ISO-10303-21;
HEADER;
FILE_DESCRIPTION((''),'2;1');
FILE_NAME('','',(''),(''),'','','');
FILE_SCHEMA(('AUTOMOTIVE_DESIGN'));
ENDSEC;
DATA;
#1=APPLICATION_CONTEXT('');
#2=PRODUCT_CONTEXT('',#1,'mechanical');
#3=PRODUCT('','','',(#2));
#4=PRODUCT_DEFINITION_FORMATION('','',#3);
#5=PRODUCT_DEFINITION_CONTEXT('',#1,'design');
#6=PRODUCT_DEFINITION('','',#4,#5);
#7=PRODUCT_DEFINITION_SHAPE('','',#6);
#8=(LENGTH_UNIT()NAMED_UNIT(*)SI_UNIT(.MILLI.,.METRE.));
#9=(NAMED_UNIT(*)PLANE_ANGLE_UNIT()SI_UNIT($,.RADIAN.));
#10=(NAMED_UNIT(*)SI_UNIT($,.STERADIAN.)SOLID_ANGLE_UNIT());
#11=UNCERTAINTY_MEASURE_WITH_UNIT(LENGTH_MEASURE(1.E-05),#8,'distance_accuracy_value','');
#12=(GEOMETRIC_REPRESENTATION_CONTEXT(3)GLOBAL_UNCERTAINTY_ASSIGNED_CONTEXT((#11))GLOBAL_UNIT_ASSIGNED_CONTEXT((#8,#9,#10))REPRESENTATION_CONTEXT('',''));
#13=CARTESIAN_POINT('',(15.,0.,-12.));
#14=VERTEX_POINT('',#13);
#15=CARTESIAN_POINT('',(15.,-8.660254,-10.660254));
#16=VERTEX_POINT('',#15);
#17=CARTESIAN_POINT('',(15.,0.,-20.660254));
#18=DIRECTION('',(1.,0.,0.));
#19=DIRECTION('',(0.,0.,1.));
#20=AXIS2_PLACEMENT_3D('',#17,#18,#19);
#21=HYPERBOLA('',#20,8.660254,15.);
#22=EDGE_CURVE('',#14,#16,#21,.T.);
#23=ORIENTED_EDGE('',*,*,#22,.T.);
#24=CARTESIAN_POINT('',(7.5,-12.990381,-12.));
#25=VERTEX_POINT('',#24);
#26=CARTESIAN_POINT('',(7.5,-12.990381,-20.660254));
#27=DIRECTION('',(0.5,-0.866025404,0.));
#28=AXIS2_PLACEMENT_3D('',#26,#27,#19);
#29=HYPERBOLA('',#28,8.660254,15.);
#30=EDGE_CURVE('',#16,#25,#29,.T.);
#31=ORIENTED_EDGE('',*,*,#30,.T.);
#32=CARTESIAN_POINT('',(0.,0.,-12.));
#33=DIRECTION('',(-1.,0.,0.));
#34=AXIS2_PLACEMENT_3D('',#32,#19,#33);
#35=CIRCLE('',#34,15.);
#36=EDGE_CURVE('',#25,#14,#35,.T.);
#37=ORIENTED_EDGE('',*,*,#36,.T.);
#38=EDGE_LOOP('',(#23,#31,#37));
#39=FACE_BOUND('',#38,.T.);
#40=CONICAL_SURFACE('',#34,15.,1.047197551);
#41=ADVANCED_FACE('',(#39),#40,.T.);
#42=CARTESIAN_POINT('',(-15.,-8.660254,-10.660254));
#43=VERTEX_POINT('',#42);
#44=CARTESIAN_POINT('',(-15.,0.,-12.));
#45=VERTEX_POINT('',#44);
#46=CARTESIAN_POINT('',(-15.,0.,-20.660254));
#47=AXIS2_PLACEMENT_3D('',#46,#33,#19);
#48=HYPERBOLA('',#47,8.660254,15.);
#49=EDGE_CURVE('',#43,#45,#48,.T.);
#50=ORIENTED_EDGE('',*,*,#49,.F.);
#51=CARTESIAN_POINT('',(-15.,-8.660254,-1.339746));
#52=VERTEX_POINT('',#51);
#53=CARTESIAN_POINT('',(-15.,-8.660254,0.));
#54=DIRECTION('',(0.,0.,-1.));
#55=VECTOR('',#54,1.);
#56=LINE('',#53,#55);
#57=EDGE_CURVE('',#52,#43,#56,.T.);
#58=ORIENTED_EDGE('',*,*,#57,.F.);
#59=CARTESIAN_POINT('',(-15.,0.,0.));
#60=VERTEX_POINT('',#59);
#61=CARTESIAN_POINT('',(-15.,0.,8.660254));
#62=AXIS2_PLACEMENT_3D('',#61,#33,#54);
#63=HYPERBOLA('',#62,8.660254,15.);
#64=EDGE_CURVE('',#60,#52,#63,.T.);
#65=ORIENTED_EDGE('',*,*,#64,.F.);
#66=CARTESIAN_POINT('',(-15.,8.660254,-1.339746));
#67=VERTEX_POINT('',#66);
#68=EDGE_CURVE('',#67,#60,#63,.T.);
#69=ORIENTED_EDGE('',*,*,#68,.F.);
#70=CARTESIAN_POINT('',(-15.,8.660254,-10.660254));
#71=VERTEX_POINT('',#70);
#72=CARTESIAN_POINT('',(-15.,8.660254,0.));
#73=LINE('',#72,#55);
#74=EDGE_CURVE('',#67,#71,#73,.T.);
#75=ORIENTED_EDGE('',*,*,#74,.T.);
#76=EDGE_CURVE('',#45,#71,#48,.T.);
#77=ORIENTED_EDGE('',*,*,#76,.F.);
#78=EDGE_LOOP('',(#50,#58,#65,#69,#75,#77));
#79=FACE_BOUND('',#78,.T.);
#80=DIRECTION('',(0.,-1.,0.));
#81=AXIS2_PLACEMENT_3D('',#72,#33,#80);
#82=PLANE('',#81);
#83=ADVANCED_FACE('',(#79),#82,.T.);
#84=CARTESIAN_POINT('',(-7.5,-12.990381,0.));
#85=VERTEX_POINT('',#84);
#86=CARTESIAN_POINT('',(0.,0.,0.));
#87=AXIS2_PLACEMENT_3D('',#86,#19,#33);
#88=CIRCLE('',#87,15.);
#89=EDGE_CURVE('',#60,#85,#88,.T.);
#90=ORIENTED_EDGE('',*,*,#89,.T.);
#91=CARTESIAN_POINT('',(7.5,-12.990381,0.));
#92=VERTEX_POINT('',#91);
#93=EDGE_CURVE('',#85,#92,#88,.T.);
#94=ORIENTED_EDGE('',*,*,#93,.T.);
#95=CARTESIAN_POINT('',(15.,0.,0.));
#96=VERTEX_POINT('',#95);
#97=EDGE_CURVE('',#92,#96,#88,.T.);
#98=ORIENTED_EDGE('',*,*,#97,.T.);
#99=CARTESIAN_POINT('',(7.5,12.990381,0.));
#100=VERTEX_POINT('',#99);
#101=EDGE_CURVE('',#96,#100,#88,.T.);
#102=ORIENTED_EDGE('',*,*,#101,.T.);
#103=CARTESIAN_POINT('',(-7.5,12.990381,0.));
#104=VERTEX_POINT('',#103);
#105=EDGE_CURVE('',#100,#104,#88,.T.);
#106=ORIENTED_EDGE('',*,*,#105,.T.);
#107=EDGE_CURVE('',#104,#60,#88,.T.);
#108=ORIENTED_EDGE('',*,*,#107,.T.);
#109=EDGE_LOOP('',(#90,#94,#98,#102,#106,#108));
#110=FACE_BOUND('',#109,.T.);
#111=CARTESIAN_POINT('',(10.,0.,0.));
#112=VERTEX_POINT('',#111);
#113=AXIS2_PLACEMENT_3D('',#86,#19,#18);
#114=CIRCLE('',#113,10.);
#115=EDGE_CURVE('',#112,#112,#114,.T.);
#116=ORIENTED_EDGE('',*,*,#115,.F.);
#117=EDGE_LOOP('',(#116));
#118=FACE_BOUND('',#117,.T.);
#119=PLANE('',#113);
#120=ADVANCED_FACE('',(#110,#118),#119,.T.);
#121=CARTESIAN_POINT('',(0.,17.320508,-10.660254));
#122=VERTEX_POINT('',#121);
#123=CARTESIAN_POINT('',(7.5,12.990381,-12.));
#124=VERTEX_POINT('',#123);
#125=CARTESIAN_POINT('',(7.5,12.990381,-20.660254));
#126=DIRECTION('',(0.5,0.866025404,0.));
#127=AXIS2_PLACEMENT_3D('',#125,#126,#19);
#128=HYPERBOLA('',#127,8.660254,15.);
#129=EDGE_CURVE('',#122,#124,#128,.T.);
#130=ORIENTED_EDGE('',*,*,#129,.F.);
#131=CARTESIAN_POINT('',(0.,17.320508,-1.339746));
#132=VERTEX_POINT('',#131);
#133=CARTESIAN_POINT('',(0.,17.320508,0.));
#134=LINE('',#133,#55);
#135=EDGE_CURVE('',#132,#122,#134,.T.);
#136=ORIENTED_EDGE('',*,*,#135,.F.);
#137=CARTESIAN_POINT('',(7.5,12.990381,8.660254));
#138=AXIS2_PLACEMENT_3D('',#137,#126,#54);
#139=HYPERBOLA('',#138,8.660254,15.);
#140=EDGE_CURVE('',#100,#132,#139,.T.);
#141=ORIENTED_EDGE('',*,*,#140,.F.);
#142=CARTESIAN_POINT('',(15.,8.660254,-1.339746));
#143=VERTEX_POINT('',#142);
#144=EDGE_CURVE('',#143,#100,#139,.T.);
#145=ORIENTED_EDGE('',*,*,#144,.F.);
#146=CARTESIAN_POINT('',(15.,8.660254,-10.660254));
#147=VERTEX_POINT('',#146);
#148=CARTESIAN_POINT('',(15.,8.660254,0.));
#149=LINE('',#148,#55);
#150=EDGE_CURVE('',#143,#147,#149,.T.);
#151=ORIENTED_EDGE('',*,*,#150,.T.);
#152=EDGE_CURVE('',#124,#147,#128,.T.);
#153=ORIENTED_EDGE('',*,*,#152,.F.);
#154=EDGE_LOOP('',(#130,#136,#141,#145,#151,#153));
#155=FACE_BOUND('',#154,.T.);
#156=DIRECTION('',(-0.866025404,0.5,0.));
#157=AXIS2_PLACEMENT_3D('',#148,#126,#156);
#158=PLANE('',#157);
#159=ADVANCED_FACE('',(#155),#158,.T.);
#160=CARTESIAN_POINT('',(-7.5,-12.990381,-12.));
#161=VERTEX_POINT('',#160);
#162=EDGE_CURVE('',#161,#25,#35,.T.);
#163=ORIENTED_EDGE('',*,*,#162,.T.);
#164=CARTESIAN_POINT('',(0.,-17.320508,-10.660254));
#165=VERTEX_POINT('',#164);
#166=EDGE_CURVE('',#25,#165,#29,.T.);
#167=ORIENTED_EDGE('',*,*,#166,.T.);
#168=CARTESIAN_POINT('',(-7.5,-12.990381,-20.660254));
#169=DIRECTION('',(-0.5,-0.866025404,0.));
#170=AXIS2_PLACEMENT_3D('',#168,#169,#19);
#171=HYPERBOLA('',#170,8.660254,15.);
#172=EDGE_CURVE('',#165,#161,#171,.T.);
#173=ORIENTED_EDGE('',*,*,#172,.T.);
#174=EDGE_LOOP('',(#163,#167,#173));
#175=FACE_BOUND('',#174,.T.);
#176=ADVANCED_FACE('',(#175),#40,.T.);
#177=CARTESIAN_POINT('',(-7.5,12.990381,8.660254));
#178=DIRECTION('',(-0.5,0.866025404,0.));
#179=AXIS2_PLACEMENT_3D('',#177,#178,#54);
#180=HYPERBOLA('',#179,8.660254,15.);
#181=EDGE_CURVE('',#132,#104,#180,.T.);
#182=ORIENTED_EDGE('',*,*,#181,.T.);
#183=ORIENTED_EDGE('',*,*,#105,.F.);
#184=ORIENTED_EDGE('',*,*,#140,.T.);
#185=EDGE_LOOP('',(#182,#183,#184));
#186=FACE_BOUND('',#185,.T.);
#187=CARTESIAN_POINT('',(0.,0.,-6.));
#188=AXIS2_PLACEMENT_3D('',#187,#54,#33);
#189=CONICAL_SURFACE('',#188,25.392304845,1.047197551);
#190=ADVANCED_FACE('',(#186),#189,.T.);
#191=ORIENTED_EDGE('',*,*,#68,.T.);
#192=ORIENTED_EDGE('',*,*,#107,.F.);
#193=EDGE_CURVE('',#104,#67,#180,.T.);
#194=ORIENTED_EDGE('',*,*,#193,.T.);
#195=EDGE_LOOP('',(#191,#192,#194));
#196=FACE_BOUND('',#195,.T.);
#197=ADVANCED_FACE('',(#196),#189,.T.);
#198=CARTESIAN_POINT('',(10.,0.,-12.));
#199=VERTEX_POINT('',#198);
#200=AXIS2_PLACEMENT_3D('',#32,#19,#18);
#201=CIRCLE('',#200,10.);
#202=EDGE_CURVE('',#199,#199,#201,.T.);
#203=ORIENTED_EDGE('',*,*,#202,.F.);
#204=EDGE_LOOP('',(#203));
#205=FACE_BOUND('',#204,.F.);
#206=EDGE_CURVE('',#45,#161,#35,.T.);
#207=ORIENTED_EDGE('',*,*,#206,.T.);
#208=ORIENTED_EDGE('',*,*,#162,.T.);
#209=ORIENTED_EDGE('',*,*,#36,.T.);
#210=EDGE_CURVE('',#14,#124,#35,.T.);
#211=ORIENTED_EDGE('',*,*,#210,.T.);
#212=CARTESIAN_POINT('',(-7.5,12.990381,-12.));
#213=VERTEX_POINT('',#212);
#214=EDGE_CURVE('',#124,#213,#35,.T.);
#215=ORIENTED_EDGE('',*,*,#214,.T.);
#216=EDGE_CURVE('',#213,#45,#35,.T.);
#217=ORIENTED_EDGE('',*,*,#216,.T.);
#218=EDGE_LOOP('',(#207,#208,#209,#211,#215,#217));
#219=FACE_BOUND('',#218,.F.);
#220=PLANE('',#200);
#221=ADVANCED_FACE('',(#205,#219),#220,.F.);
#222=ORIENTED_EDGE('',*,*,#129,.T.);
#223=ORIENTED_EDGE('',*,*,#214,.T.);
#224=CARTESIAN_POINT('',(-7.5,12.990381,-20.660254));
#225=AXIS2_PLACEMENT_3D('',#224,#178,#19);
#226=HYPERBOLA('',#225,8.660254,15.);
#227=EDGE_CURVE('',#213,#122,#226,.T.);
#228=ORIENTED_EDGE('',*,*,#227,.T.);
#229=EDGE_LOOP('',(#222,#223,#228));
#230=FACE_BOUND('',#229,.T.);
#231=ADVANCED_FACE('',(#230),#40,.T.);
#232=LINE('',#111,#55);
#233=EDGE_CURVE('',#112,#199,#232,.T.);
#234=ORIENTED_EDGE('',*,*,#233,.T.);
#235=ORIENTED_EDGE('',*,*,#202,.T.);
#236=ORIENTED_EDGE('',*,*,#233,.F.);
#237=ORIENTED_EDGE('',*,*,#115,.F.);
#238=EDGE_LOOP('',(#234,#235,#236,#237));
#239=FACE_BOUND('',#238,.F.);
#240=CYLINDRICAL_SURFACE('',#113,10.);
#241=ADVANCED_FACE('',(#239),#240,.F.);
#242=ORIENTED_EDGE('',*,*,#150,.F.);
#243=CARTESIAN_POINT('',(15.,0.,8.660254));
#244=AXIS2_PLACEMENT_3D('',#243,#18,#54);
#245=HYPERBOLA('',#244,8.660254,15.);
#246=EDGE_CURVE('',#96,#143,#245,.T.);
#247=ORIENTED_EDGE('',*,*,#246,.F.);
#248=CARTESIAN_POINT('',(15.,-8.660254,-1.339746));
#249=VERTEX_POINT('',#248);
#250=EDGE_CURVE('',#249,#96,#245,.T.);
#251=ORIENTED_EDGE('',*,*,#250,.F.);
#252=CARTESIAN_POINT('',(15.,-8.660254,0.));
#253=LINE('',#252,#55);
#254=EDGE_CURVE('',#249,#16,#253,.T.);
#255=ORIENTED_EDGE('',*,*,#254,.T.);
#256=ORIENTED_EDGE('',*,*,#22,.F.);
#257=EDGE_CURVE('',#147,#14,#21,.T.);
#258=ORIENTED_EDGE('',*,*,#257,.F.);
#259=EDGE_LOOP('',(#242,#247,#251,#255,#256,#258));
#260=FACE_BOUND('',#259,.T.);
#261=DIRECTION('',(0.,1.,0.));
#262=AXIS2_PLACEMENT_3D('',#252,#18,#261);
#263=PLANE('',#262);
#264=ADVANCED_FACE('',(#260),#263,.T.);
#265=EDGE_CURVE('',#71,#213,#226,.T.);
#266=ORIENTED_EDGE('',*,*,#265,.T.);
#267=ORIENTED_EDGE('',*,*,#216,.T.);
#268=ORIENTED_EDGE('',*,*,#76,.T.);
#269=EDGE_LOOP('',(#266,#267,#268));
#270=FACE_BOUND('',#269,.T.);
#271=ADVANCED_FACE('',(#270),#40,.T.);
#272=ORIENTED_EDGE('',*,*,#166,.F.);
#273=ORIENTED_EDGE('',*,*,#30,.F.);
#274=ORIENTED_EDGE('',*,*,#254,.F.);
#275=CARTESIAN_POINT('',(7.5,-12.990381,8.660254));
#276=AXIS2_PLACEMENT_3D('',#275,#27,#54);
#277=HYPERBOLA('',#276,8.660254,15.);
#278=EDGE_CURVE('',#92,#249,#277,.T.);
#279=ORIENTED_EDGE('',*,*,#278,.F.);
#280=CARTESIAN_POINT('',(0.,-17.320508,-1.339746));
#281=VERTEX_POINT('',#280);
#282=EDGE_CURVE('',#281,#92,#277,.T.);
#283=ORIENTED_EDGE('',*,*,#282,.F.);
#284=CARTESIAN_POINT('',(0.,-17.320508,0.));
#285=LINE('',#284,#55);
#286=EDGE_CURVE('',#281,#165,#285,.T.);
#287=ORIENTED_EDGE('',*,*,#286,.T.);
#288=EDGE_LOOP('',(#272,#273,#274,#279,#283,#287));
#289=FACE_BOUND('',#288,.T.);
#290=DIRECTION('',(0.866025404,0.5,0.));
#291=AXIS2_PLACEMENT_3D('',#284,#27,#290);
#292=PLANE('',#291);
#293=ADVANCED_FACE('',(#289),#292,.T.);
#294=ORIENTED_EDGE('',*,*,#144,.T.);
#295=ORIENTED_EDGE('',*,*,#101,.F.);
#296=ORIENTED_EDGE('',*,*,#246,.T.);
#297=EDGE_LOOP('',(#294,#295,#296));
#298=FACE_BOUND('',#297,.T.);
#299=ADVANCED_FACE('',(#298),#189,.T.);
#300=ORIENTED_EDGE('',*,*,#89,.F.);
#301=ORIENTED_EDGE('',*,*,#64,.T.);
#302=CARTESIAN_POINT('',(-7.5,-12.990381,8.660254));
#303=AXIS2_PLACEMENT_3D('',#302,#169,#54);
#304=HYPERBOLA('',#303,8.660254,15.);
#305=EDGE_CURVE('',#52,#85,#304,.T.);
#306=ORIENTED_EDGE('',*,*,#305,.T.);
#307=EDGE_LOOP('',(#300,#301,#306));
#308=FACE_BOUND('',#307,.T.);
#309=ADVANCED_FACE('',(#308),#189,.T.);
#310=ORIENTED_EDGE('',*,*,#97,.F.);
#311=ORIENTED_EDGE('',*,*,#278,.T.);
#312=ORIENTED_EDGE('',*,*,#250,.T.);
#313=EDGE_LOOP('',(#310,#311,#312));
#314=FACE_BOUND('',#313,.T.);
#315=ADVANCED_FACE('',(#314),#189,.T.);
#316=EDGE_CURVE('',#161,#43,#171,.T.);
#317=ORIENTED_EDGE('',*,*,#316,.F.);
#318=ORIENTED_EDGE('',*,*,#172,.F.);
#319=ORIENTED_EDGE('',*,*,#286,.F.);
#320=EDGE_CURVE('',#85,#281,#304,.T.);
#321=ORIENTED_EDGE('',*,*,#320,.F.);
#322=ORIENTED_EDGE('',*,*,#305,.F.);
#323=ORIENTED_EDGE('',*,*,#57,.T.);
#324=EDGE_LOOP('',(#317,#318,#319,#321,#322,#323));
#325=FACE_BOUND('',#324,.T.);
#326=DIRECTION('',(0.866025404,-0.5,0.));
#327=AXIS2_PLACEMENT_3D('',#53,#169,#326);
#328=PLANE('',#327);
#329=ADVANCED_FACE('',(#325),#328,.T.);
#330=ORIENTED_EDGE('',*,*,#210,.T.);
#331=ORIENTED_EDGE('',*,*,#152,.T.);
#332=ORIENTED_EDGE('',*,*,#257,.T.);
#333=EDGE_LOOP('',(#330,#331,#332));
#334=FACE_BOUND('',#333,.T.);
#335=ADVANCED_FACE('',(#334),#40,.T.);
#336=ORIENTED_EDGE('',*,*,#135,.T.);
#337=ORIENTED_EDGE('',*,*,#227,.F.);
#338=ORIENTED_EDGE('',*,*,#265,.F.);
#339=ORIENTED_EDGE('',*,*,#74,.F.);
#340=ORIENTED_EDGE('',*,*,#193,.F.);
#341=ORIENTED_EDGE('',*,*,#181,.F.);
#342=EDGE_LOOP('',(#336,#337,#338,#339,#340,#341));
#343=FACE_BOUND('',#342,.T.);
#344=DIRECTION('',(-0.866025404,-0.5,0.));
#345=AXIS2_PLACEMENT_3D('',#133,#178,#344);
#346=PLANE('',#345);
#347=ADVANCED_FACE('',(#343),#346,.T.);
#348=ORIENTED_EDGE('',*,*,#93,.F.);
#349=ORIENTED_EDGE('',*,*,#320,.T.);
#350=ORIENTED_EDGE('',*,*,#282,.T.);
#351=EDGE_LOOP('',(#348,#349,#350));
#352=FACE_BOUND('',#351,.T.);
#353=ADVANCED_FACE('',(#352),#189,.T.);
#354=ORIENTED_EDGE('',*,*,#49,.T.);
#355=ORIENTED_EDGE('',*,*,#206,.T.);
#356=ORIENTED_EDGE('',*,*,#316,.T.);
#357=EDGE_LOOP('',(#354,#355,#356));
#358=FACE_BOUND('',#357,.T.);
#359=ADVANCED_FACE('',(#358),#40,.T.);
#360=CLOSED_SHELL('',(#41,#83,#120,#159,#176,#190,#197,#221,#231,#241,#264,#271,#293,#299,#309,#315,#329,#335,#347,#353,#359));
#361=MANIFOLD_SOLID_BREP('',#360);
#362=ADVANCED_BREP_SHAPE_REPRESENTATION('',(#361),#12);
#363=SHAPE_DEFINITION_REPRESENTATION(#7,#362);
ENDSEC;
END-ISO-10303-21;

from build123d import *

# Parameters (mm, degrees)
BASE_EXTRUSION_DEPTH    = 12
ESQUISSE3_R             = 10
ENL_V_MAT_EXTRU_1_DEPTH = 26.865034313


with BuildPart() as part:
    # Esquisse1 → Base-Extrusion (new body)
    with BuildSketch(Plane.XY):
        Polygon((15, -8.660254038), (15, 8.660254038), (0, 17.320508076), (-15, 8.660254038), (-15, -8.660254038), (0, -17.320508076), align=None)
    extrude(amount=-BASE_EXTRUSION_DEPTH)

    # Esquisse2 → Enlèvement de matière-Révolution1 (revolve, cut)
    with BuildSketch(Plane(origin=(0, 0, 0), x_dir=(1, 0, 0), z_dir=(0, 1, 0))):
        Polygon((-15, 0), (-26.392304845, 0), (-26.392304845, 12), (-15, 12), (-25.392304845, 6), align=None)
    revolve(axis=Axis((0, 0, -12), (0, 0, 1)), mode=Mode.SUBTRACT)

    # Esquisse3 → Enlèv. mat.-Extru.1 (cut, through all)
    with BuildSketch(Plane.XY):
        Circle(ESQUISSE3_R)
    extrude(amount=-ENL_V_MAT_EXTRU_1_DEPTH, mode=Mode.SUBTRACT)


solid = part.part
